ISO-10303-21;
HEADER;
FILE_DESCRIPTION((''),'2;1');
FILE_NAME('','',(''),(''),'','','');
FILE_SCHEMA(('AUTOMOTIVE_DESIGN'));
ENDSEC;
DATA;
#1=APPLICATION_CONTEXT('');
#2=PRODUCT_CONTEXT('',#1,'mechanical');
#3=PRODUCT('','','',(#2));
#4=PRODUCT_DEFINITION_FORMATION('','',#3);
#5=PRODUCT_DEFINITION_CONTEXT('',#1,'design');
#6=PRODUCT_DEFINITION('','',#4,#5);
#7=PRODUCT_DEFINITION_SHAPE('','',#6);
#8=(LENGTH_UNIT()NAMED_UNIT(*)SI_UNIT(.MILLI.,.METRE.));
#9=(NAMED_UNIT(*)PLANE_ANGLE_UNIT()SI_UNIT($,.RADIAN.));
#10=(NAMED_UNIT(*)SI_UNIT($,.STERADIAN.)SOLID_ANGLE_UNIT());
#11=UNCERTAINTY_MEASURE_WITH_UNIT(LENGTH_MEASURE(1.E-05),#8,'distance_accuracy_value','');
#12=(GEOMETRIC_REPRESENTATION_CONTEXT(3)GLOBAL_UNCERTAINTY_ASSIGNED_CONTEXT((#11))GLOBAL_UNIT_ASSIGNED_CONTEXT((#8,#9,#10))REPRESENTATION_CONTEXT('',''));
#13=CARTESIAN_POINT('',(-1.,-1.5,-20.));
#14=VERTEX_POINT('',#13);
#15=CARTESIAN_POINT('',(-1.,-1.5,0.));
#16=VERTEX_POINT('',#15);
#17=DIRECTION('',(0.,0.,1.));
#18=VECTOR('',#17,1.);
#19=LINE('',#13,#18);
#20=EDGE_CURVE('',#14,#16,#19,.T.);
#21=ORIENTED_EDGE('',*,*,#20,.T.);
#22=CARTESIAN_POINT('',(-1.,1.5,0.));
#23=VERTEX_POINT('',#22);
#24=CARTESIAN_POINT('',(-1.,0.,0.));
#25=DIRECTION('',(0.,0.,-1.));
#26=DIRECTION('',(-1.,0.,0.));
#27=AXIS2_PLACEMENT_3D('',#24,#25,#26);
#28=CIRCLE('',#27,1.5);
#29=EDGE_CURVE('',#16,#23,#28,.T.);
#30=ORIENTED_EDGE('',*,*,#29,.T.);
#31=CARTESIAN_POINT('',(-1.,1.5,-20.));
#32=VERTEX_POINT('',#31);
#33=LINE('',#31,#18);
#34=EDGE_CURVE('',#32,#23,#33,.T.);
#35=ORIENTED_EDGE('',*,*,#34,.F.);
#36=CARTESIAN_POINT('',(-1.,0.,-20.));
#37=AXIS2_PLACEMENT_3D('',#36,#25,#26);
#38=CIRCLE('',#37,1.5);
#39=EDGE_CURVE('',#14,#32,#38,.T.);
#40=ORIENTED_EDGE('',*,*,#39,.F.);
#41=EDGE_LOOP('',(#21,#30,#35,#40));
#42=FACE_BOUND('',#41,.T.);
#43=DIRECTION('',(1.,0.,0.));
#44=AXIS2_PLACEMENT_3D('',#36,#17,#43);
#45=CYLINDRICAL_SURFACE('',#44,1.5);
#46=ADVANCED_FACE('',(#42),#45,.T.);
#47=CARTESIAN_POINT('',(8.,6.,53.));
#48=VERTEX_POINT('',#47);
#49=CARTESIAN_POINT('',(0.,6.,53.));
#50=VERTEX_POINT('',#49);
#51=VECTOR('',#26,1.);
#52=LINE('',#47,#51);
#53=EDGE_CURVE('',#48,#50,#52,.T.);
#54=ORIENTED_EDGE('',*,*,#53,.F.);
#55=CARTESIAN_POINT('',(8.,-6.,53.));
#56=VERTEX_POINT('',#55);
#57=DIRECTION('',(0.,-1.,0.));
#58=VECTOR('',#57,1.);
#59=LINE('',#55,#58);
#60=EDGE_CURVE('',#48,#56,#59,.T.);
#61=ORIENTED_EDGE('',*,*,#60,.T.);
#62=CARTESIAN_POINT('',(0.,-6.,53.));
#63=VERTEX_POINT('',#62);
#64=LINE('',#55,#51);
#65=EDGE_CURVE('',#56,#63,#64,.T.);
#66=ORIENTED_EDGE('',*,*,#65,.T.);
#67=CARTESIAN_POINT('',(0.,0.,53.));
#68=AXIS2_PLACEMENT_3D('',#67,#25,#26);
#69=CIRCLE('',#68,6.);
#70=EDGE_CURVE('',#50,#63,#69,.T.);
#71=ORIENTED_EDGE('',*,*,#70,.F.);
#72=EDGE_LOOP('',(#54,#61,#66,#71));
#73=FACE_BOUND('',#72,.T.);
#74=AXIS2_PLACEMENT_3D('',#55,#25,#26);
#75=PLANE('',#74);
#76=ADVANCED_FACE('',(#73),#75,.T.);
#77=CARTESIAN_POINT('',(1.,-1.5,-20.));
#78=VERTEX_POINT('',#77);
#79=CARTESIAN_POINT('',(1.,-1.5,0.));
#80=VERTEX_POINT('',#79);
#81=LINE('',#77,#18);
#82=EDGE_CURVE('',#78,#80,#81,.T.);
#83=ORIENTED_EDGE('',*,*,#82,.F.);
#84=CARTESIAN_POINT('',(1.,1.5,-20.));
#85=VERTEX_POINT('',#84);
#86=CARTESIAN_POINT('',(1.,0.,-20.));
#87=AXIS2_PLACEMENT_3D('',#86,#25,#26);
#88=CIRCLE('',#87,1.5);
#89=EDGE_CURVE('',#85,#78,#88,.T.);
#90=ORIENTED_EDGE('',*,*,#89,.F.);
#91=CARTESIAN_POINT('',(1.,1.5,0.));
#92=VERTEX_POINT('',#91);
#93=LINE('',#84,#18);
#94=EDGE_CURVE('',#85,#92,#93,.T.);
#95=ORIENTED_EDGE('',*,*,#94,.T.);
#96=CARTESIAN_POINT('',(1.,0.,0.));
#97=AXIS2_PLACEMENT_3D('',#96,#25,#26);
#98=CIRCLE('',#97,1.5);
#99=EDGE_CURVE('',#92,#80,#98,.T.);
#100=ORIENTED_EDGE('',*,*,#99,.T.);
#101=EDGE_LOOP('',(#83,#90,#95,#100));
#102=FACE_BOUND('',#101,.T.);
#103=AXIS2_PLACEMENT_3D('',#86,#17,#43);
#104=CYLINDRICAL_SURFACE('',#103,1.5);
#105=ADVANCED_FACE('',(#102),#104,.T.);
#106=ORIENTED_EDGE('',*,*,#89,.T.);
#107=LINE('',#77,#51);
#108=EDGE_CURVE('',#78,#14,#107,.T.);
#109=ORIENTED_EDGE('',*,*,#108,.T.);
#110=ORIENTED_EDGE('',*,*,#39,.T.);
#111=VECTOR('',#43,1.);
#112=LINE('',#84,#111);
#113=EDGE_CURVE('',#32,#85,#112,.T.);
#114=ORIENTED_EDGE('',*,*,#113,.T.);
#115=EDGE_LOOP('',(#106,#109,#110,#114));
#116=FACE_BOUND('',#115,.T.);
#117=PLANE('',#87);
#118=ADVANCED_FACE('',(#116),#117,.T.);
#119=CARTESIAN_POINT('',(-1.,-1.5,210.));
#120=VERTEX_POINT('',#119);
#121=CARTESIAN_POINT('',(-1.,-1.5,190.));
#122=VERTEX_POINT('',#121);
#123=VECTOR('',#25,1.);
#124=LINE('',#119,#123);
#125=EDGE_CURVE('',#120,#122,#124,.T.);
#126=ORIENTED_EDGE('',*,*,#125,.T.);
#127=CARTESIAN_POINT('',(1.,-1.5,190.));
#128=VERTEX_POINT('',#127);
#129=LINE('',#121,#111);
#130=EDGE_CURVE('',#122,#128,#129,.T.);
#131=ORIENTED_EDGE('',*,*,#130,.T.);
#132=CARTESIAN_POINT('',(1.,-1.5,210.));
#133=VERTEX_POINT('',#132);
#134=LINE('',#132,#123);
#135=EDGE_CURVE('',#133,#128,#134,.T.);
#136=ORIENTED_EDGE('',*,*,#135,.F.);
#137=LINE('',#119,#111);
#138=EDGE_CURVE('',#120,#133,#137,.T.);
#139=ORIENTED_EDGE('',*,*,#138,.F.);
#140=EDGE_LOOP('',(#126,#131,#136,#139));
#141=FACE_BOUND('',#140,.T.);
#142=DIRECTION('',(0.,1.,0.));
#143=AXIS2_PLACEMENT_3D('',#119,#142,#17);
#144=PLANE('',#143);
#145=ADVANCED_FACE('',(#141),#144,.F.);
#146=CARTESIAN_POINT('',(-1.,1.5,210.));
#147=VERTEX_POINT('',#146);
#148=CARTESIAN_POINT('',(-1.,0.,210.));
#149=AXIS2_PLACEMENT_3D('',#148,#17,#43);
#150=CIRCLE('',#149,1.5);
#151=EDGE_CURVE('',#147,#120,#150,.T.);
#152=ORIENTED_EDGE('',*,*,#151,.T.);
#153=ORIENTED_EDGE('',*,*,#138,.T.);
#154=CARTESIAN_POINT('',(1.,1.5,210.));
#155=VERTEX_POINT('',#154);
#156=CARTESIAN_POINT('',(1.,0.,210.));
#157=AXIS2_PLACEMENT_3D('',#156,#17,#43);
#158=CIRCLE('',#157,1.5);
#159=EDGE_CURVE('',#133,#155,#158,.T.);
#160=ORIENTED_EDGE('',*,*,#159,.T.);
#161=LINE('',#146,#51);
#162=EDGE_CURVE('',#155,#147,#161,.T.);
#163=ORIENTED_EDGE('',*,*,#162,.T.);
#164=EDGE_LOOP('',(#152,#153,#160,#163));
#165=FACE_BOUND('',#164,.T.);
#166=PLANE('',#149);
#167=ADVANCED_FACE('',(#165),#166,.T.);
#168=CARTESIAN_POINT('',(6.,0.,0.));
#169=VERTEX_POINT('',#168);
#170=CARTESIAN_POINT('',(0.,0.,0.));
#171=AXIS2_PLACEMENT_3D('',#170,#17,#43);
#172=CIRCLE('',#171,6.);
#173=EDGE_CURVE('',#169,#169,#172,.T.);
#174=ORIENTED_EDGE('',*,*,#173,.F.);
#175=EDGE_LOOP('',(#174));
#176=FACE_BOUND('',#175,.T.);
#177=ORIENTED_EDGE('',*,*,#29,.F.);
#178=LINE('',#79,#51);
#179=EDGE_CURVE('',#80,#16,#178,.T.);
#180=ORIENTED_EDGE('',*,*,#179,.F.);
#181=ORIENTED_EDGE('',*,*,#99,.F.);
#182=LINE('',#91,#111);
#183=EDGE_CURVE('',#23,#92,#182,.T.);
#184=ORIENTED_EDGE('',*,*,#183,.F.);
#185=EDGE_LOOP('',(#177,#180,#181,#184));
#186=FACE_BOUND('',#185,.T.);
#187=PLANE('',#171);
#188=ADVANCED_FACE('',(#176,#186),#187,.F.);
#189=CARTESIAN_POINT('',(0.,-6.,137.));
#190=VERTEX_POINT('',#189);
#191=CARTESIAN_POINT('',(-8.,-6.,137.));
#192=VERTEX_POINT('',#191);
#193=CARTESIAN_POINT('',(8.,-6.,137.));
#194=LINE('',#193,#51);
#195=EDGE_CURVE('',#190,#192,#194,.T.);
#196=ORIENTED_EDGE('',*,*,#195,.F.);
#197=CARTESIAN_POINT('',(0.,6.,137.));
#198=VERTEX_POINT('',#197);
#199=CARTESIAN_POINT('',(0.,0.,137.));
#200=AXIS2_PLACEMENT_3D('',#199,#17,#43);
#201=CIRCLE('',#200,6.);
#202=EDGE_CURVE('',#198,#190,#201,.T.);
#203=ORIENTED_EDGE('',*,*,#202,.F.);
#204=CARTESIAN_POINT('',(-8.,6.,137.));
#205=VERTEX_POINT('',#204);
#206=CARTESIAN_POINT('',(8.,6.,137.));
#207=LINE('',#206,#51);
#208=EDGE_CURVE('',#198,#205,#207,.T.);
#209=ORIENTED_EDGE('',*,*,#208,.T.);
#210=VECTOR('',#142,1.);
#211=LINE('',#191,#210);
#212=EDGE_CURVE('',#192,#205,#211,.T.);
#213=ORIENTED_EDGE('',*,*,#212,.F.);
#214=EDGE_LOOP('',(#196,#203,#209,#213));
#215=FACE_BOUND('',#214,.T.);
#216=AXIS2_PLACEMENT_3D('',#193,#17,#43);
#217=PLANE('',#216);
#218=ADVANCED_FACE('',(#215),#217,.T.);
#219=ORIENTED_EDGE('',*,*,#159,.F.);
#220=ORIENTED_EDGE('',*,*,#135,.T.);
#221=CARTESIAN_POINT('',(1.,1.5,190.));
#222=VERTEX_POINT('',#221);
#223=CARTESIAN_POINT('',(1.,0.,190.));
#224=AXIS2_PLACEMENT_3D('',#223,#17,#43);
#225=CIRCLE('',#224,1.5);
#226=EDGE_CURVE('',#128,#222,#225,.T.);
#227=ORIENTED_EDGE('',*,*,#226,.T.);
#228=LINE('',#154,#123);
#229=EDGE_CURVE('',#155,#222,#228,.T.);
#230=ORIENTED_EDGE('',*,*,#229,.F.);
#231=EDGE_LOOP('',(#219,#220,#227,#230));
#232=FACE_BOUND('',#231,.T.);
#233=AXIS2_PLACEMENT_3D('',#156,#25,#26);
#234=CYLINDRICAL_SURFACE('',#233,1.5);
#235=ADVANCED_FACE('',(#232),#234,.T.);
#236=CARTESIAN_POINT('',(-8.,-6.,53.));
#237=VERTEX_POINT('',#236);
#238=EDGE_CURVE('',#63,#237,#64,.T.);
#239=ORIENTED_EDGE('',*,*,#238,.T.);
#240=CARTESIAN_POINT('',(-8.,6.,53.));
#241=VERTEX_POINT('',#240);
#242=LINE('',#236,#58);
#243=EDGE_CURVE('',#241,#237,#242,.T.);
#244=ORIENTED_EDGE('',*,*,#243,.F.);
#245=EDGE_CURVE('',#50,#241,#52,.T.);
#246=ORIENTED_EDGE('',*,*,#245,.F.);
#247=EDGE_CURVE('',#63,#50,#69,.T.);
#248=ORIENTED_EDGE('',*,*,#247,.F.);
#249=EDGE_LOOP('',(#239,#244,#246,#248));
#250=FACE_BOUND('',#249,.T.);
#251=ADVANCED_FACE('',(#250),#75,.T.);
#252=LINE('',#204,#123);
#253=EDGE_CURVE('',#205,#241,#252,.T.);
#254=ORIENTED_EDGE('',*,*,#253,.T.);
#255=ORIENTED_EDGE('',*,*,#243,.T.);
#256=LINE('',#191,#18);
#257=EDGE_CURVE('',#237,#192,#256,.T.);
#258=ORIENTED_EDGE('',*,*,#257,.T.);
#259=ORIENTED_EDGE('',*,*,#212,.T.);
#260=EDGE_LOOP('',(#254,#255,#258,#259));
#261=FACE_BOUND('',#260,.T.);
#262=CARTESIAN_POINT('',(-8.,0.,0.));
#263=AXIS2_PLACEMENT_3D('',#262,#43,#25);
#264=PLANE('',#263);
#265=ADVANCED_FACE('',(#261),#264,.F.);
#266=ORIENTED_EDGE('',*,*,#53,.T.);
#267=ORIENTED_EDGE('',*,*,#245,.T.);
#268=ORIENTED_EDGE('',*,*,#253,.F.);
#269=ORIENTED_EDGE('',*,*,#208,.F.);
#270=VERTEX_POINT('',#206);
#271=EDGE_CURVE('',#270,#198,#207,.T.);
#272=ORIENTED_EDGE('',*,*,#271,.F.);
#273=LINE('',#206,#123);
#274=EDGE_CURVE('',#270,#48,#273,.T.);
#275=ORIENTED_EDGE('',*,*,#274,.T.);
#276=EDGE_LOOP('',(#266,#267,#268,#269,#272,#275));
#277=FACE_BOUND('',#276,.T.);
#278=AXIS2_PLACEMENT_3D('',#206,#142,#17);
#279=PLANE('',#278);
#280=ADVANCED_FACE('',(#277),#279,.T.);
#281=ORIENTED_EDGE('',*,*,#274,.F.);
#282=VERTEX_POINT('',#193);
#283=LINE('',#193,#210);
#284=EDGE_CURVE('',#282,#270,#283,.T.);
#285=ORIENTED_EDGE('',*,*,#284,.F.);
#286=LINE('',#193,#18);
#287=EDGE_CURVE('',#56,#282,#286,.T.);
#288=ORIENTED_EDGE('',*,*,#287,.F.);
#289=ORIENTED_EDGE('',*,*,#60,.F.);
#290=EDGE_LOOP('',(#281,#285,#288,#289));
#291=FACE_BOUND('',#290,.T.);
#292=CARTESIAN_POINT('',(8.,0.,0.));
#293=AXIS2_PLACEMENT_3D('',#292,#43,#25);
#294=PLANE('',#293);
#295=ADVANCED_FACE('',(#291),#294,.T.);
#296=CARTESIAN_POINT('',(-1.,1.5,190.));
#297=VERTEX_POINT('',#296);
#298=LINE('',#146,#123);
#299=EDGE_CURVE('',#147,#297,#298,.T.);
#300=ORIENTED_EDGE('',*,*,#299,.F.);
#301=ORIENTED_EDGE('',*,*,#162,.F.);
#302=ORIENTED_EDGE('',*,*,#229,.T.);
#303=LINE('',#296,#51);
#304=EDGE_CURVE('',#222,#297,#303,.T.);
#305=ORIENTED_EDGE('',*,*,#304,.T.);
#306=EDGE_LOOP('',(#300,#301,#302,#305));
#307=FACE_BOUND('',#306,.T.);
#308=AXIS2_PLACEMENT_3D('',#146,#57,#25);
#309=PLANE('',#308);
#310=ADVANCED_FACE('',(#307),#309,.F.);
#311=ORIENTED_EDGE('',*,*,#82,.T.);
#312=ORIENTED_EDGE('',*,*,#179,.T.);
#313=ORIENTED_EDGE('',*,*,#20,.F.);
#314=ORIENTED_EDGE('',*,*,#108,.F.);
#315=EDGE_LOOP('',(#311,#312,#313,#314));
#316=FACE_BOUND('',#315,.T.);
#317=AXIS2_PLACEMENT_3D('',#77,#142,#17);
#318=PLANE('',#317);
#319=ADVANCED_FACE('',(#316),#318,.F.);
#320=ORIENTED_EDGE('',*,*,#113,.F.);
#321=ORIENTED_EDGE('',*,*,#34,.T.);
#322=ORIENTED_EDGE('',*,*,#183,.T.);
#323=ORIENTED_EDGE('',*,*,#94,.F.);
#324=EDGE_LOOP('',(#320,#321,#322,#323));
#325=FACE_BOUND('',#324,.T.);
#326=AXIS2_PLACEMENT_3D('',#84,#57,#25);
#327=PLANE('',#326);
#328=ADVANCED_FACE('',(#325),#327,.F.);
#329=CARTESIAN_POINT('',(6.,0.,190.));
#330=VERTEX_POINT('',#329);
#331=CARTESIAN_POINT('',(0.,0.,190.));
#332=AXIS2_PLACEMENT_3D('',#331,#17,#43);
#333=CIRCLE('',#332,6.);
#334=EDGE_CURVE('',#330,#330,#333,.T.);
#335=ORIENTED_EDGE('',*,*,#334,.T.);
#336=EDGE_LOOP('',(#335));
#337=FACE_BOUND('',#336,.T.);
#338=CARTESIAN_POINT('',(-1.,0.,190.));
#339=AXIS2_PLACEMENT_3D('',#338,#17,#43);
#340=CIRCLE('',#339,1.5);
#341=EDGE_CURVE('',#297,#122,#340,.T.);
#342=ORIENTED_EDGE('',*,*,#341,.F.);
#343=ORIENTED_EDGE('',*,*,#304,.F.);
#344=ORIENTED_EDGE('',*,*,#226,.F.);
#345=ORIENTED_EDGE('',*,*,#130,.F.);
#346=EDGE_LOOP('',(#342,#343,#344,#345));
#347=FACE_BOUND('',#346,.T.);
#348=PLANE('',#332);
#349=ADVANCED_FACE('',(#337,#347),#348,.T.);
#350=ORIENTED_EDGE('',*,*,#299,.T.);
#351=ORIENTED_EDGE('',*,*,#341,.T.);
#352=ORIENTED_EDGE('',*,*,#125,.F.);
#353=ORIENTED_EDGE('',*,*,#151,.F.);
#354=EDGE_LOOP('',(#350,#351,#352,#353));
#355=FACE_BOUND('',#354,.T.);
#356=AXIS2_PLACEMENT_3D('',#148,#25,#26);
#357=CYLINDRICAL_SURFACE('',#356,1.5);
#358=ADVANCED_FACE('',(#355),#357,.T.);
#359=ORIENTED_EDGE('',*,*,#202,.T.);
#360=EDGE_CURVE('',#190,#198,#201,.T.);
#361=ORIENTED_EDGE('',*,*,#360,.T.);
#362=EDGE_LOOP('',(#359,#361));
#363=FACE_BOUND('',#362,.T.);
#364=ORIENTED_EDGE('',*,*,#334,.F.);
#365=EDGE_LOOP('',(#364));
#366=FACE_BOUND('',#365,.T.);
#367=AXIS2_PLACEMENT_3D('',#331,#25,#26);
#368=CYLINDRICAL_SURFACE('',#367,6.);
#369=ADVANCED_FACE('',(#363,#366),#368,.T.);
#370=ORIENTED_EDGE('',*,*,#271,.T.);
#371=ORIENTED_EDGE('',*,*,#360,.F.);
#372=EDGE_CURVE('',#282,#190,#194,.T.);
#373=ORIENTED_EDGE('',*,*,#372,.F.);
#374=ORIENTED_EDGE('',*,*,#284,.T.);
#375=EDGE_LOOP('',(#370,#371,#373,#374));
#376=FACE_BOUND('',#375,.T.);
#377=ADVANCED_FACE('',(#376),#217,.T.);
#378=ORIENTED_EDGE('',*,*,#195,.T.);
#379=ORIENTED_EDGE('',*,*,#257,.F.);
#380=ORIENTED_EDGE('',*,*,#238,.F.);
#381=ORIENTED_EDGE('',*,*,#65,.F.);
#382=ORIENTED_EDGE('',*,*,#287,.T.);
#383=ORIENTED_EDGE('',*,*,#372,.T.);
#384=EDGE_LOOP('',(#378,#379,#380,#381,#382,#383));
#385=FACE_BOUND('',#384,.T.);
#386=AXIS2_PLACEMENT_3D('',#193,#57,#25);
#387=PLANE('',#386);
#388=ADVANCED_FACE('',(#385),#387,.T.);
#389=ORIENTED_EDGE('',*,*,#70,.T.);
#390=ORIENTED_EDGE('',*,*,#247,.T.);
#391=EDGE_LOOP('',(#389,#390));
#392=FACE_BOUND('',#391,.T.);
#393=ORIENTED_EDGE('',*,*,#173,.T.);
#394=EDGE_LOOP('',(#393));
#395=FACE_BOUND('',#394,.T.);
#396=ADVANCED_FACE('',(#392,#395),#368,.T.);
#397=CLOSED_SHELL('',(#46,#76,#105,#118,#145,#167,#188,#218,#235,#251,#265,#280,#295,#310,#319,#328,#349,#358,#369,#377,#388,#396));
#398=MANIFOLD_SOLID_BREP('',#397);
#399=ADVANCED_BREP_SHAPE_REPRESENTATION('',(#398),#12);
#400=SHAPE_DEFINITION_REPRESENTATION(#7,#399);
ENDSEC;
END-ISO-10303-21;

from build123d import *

# Parameters (mm, degrees)
ESQUISSE1_R             = 6
BOSS_EXTRU_1_DEPTH      = 190
BOSS_EXTRU_2_DEPTH      = 20
BOSS_EXTRU_3_START      = 20
BOSS_EXTRU_3_DEPTH      = 20
BOSS_EXTRU_5_DEPTH      = 8
BOSS_EXTRU_5_DEPTH_BACK = 8
ESQUISSE5_W             = 84
ESQUISSE5_H             = 12


with BuildPart() as part:
    # Esquisse1 → Boss.-Extru.1 (new body)
    with BuildSketch(Plane.XY):
        Circle(ESQUISSE1_R)
    extrude(amount=BOSS_EXTRU_1_DEPTH)

    # Esquisse2 → Boss.-Extru.2 (add)
    with BuildSketch(Plane.XY.offset(190)):
        with BuildLine():
            Line((-1, 1.5), (1, 1.5))
            ThreePointArc((1, 1.5), (2.5, 0), (1, -1.5))
            Line((1, -1.5), (-1, -1.5))
            ThreePointArc((-1, -1.5), (-2.5, 0), (-1, 1.5))
        make_face()
    extrude(amount=BOSS_EXTRU_2_DEPTH)

    # Esquisse3 → Boss.-Extru.3 (add)
    with BuildSketch(Plane(origin=(0, 0, 0), x_dir=(-1, 0, 0), z_dir=(0, 0, -1)).offset(BOSS_EXTRU_3_START)):
        with BuildLine():
            Line((-1, 1.5), (1, 1.5))
            ThreePointArc((1, 1.5), (2.5, 0), (1, -1.5))
            Line((1, -1.5), (-1, -1.5))
            ThreePointArc((-1, -1.5), (-2.5, 0), (-1, 1.5))
        make_face()
    extrude(amount=-BOSS_EXTRU_3_DEPTH)

    # Esquisse5 → Boss.-Extru.5 (add, two sides: drawn at the far end of the back side and taken through both)
    with BuildSketch(Plane(origin=(0, 0, 0), x_dir=(0, 0, -1), z_dir=(-1, 0, 0)).offset(-BOSS_EXTRU_5_DEPTH_BACK)):
        with Locations((-95, 0)):
            Rectangle(ESQUISSE5_W, ESQUISSE5_H)
    extrude(amount=BOSS_EXTRU_5_DEPTH + BOSS_EXTRU_5_DEPTH_BACK)


solid = part.part
